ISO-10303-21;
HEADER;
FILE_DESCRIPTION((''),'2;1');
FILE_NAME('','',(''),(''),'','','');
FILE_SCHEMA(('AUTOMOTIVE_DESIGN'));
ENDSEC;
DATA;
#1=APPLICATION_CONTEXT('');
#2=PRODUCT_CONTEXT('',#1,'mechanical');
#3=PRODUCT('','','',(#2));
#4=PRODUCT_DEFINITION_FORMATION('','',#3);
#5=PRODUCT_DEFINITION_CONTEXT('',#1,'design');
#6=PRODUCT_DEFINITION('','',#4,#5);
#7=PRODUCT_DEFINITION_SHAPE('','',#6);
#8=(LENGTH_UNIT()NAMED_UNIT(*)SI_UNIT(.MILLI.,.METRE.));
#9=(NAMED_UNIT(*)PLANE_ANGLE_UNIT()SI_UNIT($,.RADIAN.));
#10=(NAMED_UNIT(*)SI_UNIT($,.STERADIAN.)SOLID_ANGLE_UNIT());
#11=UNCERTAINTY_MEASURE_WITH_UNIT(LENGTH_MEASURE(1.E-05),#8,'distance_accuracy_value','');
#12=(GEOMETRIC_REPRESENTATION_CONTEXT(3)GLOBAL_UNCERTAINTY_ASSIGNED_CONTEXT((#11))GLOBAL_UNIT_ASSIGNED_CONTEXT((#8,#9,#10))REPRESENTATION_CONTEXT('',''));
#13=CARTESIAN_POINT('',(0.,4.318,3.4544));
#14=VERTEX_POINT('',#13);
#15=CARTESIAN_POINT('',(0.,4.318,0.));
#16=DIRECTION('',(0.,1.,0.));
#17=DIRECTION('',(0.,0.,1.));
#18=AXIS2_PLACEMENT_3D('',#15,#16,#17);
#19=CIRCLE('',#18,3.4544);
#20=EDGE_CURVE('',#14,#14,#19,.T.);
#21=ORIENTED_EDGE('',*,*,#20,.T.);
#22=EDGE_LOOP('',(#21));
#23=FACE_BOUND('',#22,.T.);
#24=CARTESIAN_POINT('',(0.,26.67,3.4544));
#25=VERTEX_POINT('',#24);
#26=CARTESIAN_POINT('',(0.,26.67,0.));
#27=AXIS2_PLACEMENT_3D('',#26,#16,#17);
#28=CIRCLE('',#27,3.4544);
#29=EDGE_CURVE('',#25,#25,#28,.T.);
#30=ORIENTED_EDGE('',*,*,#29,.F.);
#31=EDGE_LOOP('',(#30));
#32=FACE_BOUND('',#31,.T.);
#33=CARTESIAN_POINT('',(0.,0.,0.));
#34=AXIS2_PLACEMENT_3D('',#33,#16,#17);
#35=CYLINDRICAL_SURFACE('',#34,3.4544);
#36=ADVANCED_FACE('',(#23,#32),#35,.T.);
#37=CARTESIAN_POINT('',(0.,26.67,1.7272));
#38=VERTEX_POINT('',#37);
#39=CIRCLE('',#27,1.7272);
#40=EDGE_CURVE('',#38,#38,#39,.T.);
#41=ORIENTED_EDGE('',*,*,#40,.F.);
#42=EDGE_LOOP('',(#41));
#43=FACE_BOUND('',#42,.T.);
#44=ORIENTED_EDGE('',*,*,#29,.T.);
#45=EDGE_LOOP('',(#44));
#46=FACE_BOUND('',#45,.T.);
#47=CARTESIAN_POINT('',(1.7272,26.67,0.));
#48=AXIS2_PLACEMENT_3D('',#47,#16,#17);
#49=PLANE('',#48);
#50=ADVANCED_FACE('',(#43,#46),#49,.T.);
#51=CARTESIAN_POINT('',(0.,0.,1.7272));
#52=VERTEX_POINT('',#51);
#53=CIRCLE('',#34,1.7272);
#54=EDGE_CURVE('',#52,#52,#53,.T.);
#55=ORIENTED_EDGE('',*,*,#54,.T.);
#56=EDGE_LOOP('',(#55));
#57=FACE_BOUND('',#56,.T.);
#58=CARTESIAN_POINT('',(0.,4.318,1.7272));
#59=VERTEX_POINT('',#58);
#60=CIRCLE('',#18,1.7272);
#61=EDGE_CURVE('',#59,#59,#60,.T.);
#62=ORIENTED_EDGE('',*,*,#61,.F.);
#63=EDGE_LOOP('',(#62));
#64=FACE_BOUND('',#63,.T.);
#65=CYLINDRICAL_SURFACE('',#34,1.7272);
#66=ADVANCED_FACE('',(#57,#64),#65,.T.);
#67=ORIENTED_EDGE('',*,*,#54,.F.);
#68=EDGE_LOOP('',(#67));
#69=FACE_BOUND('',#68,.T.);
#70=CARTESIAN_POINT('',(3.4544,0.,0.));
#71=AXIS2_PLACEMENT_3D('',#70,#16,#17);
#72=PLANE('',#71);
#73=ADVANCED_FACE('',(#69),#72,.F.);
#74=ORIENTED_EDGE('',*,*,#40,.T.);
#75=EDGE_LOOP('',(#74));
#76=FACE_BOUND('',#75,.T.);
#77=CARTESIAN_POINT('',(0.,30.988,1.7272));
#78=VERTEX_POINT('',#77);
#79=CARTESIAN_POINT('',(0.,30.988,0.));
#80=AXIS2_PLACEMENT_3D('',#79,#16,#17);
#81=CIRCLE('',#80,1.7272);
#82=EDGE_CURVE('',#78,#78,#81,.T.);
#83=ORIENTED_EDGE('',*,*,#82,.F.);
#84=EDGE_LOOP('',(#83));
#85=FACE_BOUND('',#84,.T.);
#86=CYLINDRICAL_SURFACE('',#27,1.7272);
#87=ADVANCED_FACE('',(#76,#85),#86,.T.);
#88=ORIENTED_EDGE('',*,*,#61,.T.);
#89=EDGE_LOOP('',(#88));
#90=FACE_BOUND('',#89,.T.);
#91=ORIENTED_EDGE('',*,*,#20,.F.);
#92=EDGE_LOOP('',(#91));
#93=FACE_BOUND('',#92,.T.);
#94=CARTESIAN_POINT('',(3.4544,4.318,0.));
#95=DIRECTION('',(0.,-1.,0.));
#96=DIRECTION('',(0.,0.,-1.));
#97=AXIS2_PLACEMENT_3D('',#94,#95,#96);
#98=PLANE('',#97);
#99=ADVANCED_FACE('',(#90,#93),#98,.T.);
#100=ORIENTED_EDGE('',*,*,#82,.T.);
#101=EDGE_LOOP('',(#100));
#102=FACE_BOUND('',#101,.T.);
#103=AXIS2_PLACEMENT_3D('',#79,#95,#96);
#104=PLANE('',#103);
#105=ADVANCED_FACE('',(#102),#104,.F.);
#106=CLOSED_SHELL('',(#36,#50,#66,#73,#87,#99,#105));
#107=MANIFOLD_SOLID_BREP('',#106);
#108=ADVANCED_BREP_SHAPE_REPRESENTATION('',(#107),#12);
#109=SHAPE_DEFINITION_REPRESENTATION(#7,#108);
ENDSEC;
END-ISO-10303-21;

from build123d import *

# Parameters (mm, degrees)
SKETCH1_W = 3.4544
SKETCH1_H = 30.988
SKETCH2_W = 1.7272
SKETCH2_H = 4.318
SKETCH3_W = 1.7272
SKETCH3_H = 4.318


with BuildPart() as part:
    # Sketch1 → Revolve1 (revolve)
    with BuildSketch(Plane.XY):
        with Locations((1.7272, 15.494)):
            Rectangle(SKETCH1_W, SKETCH1_H)
    revolve(axis=Axis((0, 0, 0), (0, 1, 0)))

    # Sketch2 → Cut-Revolve1 (revolve, cut)
    with BuildSketch(Plane.XY):
        with Locations((2.5908, 2.159)):
            Rectangle(SKETCH2_W, SKETCH2_H)
    revolve(axis=Axis((0, 0, 0), (0, 1, 0)), mode=Mode.SUBTRACT)

    # Sketch3 → Cut-Revolve2 (revolve, cut)
    with BuildSketch(Plane.XY):
        with Locations((2.5908, 28.829)):
            Rectangle(SKETCH3_W, SKETCH3_H)
    revolve(axis=Axis((0, 26.67, 0), (0, 1, 0)), mode=Mode.SUBTRACT)


solid = part.part
